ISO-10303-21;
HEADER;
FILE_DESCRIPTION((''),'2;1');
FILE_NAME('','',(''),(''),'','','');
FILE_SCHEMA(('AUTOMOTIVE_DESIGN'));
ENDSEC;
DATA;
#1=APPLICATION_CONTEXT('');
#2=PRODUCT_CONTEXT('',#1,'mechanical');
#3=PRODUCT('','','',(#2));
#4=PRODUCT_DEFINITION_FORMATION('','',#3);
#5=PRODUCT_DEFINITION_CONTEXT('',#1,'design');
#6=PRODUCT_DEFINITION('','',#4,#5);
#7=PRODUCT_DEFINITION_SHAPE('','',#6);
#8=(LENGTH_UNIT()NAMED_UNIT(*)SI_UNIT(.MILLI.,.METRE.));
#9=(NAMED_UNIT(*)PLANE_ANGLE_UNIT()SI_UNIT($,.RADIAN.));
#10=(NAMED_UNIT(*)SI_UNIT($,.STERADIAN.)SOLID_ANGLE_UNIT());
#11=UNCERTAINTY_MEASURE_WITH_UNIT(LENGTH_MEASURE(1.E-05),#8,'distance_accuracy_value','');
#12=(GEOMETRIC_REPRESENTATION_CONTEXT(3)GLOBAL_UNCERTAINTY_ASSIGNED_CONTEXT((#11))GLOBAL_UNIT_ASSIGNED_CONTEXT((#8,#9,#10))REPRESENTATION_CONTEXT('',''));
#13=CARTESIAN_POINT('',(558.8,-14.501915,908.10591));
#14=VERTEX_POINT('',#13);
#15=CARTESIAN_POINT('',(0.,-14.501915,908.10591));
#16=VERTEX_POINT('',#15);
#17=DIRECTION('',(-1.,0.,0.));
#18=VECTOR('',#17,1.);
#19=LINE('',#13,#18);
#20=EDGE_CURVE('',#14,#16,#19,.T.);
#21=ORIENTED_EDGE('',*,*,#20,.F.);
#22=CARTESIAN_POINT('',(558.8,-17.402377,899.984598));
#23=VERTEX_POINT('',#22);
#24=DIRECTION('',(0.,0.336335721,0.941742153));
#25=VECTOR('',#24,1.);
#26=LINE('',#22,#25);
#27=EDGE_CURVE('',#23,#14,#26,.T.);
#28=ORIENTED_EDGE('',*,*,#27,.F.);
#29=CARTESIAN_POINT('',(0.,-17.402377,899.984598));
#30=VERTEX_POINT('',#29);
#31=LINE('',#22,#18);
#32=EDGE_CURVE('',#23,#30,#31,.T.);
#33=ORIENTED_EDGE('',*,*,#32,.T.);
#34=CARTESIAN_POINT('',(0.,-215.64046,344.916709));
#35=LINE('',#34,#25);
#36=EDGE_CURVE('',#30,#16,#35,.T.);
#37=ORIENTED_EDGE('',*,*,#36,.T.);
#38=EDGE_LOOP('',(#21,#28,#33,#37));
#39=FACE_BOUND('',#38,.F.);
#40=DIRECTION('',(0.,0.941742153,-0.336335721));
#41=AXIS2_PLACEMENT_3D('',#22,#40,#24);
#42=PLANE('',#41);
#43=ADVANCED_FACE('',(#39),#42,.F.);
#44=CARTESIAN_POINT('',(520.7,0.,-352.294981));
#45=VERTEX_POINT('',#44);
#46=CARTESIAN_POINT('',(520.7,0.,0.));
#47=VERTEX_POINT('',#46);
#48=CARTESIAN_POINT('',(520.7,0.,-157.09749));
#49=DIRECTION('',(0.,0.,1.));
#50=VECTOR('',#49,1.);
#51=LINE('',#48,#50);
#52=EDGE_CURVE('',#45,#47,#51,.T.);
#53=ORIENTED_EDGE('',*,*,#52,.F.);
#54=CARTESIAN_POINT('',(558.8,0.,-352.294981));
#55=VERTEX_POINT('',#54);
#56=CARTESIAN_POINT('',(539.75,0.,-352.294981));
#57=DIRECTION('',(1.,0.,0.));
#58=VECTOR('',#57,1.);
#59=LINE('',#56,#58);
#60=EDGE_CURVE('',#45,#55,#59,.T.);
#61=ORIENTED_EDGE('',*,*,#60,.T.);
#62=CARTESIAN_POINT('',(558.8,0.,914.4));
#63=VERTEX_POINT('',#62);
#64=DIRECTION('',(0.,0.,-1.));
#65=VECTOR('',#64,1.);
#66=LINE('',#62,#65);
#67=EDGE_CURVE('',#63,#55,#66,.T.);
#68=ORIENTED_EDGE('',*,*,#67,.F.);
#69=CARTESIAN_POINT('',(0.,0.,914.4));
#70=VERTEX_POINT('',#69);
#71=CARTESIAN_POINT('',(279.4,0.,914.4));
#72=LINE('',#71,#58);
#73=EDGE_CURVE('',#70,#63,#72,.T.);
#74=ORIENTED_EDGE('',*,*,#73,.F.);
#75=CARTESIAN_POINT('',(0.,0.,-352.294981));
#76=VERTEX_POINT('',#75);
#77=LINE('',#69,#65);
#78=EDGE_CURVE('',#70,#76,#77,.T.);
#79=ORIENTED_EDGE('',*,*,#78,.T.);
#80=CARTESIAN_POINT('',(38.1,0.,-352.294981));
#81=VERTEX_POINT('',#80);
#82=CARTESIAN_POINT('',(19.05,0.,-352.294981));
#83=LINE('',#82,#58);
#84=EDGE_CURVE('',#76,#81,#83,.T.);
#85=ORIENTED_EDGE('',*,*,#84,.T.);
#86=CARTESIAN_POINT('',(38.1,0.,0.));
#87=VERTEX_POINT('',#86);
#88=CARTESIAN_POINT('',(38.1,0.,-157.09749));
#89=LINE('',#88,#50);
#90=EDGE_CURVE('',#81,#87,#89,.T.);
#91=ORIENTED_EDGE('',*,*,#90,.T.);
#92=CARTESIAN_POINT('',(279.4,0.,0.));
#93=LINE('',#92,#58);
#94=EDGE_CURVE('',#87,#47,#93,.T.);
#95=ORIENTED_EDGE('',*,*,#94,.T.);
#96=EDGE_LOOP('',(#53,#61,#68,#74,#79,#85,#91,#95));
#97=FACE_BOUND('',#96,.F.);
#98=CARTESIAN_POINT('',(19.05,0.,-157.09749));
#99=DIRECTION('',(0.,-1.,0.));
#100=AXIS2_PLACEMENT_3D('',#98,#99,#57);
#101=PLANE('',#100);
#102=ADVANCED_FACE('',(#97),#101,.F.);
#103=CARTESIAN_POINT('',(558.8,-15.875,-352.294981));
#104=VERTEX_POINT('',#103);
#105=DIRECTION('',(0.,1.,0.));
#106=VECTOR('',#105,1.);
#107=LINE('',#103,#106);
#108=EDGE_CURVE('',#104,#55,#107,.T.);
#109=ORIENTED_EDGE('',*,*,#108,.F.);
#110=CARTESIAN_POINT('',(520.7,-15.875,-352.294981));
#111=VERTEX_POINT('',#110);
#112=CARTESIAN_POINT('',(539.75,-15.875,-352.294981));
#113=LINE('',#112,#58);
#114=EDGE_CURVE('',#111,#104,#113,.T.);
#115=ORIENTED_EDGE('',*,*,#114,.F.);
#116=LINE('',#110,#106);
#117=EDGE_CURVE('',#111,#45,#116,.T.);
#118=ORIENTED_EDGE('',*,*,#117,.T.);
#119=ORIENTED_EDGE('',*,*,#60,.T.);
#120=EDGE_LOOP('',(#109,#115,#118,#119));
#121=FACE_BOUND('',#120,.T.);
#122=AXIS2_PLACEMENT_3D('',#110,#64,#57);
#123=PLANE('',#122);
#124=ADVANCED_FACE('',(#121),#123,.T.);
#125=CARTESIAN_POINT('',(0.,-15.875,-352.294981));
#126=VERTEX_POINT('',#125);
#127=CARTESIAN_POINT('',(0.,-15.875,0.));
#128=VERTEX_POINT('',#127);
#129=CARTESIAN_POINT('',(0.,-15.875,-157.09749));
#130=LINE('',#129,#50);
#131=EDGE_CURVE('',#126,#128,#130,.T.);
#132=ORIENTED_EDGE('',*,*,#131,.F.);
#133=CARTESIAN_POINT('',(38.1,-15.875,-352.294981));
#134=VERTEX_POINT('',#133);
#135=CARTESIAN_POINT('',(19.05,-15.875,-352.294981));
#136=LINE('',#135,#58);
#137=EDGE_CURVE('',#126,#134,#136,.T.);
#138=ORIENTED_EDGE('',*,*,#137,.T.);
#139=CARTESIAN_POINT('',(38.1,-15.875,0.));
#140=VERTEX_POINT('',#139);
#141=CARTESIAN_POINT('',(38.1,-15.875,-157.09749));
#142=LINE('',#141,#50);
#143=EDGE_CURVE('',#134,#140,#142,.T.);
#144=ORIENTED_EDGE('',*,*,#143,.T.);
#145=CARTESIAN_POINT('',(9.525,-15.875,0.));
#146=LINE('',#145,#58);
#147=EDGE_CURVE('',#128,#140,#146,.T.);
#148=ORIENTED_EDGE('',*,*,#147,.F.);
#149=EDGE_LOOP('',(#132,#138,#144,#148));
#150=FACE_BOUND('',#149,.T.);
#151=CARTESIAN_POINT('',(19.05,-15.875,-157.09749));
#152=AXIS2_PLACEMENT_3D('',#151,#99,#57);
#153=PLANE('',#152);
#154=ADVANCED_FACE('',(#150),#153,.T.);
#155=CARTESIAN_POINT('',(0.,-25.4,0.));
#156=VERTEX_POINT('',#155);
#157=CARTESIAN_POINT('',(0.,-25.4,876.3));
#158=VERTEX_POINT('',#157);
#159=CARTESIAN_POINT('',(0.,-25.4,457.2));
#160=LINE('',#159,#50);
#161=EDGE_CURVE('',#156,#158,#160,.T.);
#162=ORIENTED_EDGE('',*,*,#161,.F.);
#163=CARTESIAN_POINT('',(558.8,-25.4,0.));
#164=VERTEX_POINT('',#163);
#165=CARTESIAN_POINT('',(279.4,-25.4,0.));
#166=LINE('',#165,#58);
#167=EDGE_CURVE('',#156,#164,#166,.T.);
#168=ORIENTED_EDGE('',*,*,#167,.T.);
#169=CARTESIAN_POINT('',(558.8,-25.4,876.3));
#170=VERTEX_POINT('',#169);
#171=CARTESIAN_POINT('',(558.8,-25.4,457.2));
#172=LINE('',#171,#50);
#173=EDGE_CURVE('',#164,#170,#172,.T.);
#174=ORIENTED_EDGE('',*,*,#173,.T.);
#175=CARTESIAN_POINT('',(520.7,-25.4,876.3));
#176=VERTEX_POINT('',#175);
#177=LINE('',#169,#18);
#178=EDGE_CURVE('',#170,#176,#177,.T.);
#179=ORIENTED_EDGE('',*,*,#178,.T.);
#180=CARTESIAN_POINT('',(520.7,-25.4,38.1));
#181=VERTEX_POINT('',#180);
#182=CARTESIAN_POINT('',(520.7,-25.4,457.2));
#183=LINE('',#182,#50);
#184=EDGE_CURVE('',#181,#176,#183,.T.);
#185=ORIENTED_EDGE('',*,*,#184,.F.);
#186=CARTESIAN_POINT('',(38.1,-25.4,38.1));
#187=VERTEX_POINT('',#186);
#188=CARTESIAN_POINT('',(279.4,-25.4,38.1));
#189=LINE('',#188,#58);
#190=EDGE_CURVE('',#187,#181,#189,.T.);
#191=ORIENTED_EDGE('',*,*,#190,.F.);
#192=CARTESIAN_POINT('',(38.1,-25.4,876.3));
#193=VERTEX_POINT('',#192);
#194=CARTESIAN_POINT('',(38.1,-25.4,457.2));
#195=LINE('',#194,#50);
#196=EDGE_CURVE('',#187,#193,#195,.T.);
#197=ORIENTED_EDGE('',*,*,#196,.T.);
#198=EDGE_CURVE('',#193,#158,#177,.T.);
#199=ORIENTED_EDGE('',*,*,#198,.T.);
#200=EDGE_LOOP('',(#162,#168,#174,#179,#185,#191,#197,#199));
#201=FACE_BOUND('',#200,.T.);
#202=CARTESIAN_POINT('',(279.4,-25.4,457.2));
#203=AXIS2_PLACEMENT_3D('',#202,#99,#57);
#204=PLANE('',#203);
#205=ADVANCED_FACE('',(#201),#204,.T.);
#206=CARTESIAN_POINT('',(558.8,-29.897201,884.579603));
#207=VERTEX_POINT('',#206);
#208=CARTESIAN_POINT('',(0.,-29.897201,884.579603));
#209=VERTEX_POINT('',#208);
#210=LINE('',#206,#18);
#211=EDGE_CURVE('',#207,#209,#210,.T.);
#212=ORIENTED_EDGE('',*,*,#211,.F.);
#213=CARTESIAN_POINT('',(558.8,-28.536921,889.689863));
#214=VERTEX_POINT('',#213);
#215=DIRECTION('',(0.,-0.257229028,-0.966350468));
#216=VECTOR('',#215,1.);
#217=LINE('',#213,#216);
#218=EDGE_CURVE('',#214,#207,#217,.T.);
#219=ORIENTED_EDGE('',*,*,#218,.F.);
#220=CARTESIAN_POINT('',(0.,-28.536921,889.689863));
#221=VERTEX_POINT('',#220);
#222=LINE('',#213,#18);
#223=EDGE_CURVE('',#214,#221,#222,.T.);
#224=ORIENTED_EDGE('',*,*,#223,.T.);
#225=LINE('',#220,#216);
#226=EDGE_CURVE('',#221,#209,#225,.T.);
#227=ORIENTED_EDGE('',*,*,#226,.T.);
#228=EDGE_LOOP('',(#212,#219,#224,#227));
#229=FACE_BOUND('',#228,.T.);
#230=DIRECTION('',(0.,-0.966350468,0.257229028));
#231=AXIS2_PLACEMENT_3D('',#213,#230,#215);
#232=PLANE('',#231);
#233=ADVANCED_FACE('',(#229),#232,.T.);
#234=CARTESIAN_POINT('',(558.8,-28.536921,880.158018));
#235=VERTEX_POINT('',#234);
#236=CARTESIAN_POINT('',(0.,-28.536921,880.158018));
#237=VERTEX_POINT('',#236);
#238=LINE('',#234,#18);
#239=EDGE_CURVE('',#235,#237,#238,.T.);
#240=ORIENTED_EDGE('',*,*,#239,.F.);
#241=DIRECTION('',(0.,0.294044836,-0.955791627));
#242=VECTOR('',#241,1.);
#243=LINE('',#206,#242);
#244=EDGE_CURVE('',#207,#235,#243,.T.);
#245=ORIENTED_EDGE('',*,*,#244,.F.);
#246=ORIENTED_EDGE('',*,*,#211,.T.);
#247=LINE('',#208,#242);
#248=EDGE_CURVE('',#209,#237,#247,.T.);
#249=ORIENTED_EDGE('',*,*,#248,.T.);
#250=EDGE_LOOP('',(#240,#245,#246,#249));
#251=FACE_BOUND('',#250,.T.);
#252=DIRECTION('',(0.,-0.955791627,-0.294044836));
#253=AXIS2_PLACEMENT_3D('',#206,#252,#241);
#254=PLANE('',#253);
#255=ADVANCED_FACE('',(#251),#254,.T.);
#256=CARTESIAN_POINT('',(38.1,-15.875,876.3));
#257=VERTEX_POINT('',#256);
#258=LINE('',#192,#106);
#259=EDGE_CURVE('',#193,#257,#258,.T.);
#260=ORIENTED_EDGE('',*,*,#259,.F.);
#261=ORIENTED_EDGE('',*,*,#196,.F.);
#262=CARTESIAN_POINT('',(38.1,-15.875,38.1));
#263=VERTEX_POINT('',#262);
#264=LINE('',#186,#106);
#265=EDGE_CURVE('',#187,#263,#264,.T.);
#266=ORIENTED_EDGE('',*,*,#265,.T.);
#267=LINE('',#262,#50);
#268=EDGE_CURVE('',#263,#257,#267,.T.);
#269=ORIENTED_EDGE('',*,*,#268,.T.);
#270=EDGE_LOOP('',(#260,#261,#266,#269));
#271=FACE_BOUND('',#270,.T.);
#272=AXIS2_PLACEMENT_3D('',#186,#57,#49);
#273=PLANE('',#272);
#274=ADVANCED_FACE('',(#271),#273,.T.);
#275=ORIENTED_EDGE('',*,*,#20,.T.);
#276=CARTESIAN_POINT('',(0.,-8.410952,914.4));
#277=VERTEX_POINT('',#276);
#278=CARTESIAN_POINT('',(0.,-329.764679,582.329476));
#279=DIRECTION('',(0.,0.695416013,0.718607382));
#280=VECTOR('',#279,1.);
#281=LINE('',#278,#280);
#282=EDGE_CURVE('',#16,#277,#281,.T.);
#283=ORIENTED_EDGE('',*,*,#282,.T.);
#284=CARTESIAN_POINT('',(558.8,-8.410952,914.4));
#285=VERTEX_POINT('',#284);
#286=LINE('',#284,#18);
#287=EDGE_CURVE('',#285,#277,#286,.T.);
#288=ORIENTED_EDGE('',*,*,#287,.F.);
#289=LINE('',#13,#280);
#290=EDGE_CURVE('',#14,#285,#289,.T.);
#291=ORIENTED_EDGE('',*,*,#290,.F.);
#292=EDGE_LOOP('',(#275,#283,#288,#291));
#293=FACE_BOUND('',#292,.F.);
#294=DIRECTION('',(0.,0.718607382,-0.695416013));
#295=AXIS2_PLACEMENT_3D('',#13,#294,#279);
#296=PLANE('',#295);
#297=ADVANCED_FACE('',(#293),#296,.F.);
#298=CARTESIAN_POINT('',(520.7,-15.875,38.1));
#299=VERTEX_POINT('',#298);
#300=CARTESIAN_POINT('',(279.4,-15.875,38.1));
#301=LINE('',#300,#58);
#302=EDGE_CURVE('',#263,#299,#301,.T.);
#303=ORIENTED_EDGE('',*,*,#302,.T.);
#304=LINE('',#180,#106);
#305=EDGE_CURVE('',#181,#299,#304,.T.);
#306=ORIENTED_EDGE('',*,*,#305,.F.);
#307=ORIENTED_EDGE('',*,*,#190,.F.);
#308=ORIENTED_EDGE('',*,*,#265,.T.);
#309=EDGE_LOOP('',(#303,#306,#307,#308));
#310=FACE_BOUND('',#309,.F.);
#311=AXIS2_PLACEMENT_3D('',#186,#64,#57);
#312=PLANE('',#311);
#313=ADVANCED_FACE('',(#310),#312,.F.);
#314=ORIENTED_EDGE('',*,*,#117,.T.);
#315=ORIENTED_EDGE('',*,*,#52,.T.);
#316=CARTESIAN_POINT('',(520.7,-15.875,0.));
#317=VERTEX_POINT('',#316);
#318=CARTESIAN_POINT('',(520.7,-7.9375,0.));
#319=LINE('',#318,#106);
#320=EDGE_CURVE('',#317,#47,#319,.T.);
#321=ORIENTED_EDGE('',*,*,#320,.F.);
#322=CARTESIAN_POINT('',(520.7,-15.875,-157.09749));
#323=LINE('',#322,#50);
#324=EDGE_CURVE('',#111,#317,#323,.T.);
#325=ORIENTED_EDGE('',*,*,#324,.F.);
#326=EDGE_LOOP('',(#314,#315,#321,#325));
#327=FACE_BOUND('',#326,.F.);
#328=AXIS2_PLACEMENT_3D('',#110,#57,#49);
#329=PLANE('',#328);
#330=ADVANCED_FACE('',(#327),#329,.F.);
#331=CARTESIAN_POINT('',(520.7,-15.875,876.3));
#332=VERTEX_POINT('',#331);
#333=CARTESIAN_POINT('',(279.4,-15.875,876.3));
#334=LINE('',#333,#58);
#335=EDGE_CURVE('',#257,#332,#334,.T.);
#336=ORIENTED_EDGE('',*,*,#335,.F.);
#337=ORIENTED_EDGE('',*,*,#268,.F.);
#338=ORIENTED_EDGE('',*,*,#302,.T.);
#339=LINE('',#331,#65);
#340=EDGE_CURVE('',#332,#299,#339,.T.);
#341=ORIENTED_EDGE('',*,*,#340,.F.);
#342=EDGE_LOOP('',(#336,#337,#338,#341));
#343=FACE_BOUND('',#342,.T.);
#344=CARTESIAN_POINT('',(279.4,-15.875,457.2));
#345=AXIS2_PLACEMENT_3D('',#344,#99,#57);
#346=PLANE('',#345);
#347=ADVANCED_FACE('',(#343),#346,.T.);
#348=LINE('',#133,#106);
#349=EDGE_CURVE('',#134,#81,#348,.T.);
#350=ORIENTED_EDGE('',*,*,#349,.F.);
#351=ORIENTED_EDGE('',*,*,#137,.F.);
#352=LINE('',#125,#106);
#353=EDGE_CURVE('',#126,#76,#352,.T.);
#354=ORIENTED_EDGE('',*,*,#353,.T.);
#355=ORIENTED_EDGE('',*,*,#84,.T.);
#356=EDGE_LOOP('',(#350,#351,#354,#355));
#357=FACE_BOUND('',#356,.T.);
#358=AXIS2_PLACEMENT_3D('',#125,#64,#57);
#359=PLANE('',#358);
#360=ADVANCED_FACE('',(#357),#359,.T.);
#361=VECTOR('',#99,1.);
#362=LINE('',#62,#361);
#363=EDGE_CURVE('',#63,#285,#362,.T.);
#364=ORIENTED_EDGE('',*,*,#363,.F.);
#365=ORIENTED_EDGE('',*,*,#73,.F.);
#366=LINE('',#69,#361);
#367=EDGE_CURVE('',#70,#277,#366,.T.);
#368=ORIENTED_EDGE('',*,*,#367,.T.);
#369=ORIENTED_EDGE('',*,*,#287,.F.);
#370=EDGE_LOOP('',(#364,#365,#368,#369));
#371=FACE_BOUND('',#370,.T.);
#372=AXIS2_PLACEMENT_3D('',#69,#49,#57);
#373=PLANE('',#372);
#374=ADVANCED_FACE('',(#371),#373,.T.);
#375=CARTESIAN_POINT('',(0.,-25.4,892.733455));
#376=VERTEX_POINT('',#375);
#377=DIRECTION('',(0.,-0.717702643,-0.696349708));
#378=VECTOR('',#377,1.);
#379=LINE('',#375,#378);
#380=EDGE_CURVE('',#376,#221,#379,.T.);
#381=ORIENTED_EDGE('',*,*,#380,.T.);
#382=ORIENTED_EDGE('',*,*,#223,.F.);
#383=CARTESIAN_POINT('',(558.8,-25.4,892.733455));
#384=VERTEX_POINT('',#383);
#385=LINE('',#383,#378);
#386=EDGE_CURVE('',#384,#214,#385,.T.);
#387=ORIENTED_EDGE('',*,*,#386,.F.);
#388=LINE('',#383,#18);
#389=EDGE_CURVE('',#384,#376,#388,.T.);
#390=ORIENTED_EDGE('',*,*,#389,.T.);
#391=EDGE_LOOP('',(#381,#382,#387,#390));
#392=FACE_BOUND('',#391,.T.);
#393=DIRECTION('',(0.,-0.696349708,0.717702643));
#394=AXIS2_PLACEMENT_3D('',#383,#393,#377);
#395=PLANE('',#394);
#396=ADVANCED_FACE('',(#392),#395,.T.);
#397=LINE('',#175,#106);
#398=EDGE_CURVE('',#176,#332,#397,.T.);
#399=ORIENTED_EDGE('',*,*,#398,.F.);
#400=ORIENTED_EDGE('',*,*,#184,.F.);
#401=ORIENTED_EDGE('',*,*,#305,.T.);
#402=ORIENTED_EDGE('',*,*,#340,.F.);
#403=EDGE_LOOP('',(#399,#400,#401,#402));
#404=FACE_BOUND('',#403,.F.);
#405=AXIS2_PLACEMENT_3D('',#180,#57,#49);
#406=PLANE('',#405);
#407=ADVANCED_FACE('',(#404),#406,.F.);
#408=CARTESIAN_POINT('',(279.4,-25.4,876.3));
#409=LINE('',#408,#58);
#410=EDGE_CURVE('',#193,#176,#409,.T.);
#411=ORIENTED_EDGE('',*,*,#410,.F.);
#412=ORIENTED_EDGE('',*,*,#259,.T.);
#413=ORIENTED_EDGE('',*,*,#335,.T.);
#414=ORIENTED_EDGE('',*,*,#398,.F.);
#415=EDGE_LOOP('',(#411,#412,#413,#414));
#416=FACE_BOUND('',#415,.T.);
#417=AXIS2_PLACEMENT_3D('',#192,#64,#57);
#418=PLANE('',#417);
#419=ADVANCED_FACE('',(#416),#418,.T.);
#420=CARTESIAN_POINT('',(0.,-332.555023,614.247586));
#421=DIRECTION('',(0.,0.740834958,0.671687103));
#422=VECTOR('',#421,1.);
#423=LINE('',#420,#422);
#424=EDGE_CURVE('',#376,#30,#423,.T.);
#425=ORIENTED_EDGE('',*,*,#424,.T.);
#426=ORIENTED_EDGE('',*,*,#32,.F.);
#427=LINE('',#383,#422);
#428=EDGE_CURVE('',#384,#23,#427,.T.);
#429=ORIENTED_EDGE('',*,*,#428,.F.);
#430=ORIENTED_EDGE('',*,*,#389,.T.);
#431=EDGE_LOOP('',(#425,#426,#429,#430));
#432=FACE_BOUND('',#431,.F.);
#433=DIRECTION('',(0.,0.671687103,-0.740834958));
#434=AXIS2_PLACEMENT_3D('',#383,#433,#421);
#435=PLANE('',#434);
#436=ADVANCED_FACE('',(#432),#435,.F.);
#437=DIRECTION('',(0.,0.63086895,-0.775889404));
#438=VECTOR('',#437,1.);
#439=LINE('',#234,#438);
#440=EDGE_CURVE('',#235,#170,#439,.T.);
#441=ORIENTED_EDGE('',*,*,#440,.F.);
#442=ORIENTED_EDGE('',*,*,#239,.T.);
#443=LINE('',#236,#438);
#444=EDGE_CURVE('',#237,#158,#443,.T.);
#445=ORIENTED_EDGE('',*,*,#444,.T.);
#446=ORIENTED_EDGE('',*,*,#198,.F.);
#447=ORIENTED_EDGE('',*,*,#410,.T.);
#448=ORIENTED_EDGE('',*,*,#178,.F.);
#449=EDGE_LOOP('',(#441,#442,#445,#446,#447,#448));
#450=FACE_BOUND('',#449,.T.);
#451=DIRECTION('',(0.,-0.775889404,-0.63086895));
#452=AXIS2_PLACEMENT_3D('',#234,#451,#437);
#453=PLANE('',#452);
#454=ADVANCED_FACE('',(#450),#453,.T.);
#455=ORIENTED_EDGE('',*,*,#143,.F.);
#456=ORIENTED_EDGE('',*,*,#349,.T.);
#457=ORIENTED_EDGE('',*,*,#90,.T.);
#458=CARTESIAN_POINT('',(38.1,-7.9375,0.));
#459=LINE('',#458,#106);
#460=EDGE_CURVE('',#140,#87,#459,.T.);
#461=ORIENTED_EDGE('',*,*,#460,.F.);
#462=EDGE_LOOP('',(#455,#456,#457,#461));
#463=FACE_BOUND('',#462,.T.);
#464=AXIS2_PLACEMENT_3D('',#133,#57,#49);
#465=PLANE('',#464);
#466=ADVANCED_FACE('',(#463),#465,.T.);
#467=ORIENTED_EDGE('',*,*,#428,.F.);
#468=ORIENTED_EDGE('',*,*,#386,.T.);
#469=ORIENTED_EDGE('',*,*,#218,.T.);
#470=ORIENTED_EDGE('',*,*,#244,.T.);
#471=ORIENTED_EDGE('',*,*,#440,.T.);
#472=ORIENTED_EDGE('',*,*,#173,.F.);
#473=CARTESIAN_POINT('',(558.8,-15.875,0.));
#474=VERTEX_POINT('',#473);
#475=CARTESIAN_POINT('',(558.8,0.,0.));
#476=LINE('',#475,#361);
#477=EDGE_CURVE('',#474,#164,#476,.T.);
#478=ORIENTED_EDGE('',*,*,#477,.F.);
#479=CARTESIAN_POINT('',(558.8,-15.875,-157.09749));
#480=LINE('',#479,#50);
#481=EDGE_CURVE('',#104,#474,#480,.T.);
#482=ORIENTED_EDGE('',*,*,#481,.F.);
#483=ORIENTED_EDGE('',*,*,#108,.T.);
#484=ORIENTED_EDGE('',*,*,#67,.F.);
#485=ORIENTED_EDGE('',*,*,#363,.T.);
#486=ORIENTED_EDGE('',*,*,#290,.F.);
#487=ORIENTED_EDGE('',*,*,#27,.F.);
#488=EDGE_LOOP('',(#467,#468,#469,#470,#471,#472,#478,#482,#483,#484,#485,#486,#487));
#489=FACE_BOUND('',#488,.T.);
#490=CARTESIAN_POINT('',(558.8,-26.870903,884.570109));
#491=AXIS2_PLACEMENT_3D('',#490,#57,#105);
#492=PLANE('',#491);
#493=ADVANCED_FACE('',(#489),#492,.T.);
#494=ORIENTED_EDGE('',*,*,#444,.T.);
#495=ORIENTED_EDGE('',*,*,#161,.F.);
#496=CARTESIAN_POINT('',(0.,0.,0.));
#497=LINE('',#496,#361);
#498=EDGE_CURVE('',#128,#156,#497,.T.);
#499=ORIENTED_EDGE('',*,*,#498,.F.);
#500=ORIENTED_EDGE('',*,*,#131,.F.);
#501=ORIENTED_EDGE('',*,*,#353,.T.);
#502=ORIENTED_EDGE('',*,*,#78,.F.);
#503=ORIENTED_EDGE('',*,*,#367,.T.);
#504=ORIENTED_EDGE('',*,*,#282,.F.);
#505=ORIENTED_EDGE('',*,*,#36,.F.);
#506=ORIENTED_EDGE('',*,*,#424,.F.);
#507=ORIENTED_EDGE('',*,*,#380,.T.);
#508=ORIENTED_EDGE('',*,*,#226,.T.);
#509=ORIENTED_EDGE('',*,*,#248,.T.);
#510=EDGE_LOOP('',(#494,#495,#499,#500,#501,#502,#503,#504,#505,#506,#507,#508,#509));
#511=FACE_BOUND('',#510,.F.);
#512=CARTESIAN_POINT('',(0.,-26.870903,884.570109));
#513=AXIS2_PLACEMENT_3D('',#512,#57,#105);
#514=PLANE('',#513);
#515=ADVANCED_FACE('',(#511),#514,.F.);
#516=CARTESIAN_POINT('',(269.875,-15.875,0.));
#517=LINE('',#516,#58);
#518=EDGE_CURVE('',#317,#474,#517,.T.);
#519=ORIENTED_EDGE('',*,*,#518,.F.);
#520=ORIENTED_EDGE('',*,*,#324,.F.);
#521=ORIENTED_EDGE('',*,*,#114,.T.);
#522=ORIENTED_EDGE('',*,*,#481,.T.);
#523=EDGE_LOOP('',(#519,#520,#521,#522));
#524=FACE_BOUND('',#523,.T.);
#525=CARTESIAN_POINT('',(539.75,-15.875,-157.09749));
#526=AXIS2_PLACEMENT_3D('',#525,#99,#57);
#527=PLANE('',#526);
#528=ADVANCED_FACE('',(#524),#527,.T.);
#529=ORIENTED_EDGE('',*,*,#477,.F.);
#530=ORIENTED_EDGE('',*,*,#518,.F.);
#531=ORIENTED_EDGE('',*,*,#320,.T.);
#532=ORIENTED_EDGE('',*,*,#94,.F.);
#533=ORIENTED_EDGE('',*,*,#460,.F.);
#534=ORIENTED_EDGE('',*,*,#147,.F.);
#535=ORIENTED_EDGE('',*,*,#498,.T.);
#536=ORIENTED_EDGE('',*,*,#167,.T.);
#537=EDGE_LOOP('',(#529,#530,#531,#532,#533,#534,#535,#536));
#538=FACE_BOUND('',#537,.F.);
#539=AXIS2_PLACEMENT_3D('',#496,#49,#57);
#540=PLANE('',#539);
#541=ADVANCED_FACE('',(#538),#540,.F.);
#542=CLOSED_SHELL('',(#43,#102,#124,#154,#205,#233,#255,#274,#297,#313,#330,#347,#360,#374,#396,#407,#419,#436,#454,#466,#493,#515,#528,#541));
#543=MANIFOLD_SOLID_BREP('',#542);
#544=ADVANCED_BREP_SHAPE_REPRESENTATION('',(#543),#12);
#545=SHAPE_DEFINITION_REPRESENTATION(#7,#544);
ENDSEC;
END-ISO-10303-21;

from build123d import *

# Parameters (mm, degrees)
F0_W     = 558.8
F0_H     = 914.4
F1_DEPTH = 25.4
F2_W     = 482.6
F2_H     = 838.2
F3_DEPTH = 9.525
F4_W     = 38.1
F4_H     = 390.394981
F5_DEPTH = 15.875
F7_DEPTH = 558.801
F9_DEPTH = 558.8


with BuildPart() as f1:
    # F0 (on Front) → F1 (new body)
    with BuildSketch(Plane.XZ):
        with Locations((279.4, 457.2)):
            Rectangle(F0_W, F0_H)
    extrude(amount=F1_DEPTH)

    # F2 (on face) → F3 (cut)
    with BuildSketch(Plane.XZ.offset(25.4)):
        with Locations((279.4, 457.2)):
            Rectangle(F2_W, F2_H)
    extrude(amount=-F3_DEPTH, mode=Mode.SUBTRACT)

    # F4 (on face) → F5 (join, through all)
    with BuildSketch(Plane.XZ.offset(15.875)):
        with Locations((19.05, -157.09749)):
            Rectangle(F4_W, F4_H)
        with Locations((539.75, -157.09749)):
            Rectangle(F4_W, F4_H)
    extrude(amount=-F5_DEPTH)

    # F6 (on face) → F7 (cut, through all)
    with BuildSketch(Plane.YZ.offset(558.8)):
        Polygon((-14.501915, 908.10591), (-8.410952, 914.4), (-25.4, 914.4), (-25.4, 892.733455), (-17.402377, 899.984598), align=None)
    extrude(amount=-F7_DEPTH, mode=Mode.SUBTRACT)

    # F8 (on face) → F9 (join, through all)
    with BuildSketch(Plane.YZ.offset(558.8)):
        Polygon((-25.4, 876.3), (-25.4, 892.733455), (-28.536921, 889.689863), (-29.897201, 884.579603), (-28.536921, 880.158018), align=None)
    extrude(amount=-F9_DEPTH)


solid = f1.part
